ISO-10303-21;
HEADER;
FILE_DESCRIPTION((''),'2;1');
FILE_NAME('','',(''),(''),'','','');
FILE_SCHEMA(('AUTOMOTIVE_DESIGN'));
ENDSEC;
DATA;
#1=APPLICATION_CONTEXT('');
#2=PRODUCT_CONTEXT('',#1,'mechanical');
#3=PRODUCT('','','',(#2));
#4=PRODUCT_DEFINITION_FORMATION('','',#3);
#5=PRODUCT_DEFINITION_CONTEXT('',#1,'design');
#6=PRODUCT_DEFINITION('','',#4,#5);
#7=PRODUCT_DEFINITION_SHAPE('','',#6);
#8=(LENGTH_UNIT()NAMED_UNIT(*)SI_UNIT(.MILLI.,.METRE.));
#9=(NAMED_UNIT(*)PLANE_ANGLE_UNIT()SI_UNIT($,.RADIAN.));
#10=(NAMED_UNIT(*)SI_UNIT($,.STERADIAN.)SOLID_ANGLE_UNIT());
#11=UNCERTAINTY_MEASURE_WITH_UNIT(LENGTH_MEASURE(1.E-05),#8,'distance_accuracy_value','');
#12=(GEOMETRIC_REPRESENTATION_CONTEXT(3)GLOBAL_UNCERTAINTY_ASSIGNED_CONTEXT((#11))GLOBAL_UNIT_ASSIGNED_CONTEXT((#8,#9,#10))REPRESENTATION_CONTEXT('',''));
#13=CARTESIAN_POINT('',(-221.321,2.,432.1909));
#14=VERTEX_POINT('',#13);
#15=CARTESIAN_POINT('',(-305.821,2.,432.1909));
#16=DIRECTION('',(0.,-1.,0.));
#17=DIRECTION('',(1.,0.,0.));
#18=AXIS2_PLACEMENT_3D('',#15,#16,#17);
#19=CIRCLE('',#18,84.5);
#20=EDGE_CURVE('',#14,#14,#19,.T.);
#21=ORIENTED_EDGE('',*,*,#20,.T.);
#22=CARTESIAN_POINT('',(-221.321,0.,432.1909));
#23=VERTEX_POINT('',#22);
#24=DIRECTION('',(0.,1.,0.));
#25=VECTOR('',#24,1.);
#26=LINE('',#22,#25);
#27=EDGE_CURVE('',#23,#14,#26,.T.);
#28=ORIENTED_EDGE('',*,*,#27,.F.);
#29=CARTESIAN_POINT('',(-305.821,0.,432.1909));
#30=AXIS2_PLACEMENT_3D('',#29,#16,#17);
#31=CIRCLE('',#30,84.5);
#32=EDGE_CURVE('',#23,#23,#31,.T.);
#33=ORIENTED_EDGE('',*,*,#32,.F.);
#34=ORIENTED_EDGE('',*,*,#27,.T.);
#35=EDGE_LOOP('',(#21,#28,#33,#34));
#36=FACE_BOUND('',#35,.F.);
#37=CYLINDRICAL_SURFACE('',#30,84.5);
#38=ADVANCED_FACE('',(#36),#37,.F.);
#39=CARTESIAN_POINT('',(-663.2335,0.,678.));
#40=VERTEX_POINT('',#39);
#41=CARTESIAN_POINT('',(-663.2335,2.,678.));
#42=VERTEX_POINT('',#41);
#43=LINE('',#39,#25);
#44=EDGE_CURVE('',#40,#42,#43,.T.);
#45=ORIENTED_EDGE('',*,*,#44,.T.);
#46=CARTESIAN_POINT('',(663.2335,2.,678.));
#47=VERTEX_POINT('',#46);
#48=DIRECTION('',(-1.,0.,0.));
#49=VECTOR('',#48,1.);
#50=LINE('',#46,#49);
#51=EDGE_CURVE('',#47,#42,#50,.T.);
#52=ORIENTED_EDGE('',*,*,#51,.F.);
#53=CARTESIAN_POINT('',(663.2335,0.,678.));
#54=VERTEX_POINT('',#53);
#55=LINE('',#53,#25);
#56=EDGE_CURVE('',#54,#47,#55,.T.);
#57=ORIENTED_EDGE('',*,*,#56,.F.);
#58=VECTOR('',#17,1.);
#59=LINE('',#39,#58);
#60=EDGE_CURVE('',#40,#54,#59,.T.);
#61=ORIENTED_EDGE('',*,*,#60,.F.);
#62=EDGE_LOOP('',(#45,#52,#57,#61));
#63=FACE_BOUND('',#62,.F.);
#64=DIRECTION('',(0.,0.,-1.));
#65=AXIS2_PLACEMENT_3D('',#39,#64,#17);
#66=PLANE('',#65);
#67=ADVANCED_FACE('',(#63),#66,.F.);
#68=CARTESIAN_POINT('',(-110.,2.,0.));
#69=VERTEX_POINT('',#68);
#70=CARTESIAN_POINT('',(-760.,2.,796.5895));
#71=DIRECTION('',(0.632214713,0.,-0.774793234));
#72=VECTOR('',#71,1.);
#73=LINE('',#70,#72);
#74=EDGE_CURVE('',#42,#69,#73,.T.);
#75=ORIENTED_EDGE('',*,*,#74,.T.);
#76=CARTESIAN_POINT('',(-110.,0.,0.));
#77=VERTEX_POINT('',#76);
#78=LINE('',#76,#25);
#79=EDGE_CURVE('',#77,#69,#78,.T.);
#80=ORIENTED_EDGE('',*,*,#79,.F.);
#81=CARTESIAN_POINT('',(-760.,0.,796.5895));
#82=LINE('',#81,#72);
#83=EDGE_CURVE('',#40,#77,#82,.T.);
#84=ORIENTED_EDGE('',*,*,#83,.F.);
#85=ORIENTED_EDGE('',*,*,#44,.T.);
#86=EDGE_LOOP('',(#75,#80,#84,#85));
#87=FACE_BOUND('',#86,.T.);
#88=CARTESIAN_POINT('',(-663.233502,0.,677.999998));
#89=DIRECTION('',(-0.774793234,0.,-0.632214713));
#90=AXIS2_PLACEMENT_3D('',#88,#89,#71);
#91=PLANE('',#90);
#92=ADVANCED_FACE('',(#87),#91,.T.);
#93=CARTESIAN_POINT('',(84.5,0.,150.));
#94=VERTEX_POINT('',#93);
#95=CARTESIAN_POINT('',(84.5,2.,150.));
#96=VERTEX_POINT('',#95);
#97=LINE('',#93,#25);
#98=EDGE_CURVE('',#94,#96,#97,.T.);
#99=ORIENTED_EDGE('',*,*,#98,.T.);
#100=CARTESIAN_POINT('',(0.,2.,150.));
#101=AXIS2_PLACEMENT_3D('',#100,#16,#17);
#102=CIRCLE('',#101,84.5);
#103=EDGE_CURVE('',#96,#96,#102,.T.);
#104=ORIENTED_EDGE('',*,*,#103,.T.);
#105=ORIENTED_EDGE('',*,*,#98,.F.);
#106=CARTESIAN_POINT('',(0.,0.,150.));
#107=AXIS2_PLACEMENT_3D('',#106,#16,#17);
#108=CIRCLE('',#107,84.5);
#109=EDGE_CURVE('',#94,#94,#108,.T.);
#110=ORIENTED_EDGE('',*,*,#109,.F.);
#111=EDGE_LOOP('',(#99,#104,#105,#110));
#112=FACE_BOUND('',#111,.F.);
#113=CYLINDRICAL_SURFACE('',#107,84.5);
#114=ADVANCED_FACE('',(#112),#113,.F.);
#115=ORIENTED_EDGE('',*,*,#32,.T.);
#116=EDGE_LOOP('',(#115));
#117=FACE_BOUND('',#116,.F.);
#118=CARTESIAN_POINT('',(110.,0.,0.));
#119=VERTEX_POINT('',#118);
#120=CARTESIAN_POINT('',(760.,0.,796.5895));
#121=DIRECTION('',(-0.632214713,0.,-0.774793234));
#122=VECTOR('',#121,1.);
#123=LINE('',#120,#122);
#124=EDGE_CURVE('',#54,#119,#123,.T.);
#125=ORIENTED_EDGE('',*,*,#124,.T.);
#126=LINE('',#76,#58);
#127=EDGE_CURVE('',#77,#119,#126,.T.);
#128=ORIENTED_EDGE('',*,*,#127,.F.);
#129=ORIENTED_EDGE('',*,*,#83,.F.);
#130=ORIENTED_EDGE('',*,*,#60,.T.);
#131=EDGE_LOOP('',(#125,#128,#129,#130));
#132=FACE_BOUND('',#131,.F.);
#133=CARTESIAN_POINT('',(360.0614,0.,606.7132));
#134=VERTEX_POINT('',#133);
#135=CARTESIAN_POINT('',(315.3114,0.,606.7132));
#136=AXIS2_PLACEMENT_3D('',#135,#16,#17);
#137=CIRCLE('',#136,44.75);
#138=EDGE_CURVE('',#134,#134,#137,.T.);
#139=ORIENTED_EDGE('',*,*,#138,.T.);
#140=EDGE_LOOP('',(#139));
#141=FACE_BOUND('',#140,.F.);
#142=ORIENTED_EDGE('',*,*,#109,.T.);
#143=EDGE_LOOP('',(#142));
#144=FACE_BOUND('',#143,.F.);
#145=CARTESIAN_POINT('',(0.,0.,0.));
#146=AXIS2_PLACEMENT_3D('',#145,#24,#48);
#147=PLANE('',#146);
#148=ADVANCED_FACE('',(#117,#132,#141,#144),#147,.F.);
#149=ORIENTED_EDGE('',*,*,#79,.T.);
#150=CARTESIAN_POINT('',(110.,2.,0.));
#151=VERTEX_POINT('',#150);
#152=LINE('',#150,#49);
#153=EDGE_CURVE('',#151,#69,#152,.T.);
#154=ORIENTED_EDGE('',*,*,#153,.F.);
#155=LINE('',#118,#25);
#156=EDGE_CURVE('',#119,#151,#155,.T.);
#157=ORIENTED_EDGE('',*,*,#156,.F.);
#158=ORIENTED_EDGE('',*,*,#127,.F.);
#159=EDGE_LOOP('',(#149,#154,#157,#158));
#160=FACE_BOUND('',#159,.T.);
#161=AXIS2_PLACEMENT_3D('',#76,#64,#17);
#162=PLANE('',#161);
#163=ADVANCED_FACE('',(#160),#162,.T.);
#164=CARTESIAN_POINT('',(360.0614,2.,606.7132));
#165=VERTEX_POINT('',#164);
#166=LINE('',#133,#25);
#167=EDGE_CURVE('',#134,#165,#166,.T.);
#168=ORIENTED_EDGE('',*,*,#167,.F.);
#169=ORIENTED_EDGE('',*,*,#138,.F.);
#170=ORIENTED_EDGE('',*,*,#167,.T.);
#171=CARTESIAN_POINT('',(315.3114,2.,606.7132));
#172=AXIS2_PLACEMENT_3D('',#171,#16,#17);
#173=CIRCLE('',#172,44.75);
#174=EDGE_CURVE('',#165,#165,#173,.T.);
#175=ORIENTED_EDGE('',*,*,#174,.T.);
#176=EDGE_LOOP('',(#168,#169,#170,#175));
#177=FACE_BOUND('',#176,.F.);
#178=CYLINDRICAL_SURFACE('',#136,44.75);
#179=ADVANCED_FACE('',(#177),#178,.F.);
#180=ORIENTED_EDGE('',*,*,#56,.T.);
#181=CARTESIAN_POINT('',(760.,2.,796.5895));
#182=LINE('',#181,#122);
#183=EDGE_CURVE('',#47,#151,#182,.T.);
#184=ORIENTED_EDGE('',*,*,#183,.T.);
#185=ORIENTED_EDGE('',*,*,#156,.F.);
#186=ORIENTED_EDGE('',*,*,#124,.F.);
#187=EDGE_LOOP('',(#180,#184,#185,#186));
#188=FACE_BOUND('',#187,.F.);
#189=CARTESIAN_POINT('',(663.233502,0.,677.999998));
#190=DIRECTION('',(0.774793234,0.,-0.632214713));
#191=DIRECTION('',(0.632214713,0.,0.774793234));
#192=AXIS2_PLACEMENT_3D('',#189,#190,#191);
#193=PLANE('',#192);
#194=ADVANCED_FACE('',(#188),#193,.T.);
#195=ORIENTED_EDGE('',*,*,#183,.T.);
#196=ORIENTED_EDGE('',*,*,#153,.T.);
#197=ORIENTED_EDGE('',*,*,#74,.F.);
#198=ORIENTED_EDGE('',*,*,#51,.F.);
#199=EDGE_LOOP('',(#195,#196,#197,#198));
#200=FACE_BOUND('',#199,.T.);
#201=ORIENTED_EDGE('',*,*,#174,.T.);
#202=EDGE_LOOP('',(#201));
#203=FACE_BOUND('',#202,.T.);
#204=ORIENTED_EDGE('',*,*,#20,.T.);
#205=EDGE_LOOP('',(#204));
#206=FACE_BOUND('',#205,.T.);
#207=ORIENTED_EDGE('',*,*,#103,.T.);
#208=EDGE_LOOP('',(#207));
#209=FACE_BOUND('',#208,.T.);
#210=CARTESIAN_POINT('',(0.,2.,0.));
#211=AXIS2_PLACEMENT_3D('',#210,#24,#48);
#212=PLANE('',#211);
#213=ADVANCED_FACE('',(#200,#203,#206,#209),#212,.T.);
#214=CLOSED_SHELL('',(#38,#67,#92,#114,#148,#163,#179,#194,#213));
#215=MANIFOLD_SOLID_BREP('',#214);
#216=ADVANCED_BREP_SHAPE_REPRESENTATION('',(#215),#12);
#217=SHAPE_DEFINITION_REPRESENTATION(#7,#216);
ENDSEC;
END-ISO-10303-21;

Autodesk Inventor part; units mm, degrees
ref_plane "YZ Plane" through (0, 0, 0) normal (1, 0, 0) x (0, 1, 0)
ref_plane "XZ Plane" through (0, 0, 0) normal (0, 1, 0) x (-1, 0, 0)
ref_plane "XY Plane" through (0, 0, 0) normal (0, 0, 1) x (1, 0, 0)
sketch "Sketch1" plane through (0, 0, 0) normal (0, 1, 0) x (-1, 0, 0)
  line L0 (0, 820) -> (0, 0)
  line L1 (760, 796.5895) -> (760, 820)
  line L2 (760, 820) -> (0, 820)
  line L3 (760, 796.5895) -> (110, 0)
  line L4 (110, 0) -> (0, 0)
  line L5 (758.3, 820) -> (755.9389, 786.2346)
  line L6 (755.9389, 786.2346) -> (686.7934, 701.4952)
  line L7 (686.7934, 701.4952) -> (684.7101, 704.3201)
  line L8 (663.2335, 678) -> (0, 678)
  dimension "d1" = 760
  dimension "d2" = 23.411
  dimension "d5" = 129.214
  dimension "d6" = 110
  dimension "d7" = 1.7
  dimension "d8" = 3.4
  dimension "d9" = 820
  dimension "d10" = 4
  dimension "d11" = 109.37
  dimension "d12" = 75.621
  dimension "d22" = 678
extrude "Plate1" add sketch "Sketch1" along normal blind 2 contours L8 L3 L4 L0
mirror "Mirror1" about plane through (0, 0, 0) normal (1, 0, 0)
sketch "Sketch2" plane through (0, 0, 0) normal (0, -1, 0) x (1, 0, 0)
  line L0 (-110, 0) -> (110, 0) construction
  line L1 (-110, 0) -> (-663.2335, 678) construction
  circle A0 centre (-305.821, 432.1909) radius 84.5
  line L2 (-663.2335, 678) -> (663.2335, 678) projected
  line L3 (110, 0) -> (663.2335, 678) construction
  circle A1 centre (0, 150) radius 84.5
  circle A2 centre (315.3114, 606.7132) radius 44.75
  line L4 (-110, 0) -> (110, 0) construction
  line L5 (-221.321, 432.1909) -> (-221.321, 136.4263) construction
  line L6 (-84.5, 150) -> (-84.5, -31.2508) construction
  line L7 (84.5, 150) -> (84.5, 0) construction
  line L8 (270.5614, 606.7132) -> (270.5614, 0) construction
  line L9 (-305.821, 516.6909) -> (270.5614, 516.6909) construction
  line L10 (-305.821, 347.6909) -> (270.5614, 347.6909) construction
  line L11 (0, 234.5) -> (270.5614, 234.5) construction
  line L12 (315.3114, 561.9632) -> (270.5614, 561.9632) construction
  point P0 (0, 0)
  point P1 (0, 0)
  point P2 (0, 0)
  point P3 (0, 0)
  point P4 (-84.5, 59.3746)
  dimension "d13" = 169
  dimension "d16" = 150
  dimension "d17" = 432.191
  dimension "d18" = 305.821
  dimension "d19" = 113.191
  dimension "d20" = 89.5
  dimension "d21" = 136.821
extrude "Extrusion1" cut sketch "Sketch2" against normal through all
equation "\"d3\" = Thickness"
equation "\"BendRadius\" = Thickness"
equation "\"BendReliefWidth\" = Thickness"
equation "\"BendReliefDepth\" = 0.5 * Thickness"
equation "\"CornerReliefSize\" = 4 * Thickness"
equation "\"MinimumRemnant\" = 2 * Thickness"
equation "\"TransitionRadius\" = BendRadius"
equation "\"JacobiRadiusSize\" = BendRadius"
equation "\"GapSize\" = Thickness"
equation "\"Thickness\" = 2"
properties part number "МОО 073 face 3"
